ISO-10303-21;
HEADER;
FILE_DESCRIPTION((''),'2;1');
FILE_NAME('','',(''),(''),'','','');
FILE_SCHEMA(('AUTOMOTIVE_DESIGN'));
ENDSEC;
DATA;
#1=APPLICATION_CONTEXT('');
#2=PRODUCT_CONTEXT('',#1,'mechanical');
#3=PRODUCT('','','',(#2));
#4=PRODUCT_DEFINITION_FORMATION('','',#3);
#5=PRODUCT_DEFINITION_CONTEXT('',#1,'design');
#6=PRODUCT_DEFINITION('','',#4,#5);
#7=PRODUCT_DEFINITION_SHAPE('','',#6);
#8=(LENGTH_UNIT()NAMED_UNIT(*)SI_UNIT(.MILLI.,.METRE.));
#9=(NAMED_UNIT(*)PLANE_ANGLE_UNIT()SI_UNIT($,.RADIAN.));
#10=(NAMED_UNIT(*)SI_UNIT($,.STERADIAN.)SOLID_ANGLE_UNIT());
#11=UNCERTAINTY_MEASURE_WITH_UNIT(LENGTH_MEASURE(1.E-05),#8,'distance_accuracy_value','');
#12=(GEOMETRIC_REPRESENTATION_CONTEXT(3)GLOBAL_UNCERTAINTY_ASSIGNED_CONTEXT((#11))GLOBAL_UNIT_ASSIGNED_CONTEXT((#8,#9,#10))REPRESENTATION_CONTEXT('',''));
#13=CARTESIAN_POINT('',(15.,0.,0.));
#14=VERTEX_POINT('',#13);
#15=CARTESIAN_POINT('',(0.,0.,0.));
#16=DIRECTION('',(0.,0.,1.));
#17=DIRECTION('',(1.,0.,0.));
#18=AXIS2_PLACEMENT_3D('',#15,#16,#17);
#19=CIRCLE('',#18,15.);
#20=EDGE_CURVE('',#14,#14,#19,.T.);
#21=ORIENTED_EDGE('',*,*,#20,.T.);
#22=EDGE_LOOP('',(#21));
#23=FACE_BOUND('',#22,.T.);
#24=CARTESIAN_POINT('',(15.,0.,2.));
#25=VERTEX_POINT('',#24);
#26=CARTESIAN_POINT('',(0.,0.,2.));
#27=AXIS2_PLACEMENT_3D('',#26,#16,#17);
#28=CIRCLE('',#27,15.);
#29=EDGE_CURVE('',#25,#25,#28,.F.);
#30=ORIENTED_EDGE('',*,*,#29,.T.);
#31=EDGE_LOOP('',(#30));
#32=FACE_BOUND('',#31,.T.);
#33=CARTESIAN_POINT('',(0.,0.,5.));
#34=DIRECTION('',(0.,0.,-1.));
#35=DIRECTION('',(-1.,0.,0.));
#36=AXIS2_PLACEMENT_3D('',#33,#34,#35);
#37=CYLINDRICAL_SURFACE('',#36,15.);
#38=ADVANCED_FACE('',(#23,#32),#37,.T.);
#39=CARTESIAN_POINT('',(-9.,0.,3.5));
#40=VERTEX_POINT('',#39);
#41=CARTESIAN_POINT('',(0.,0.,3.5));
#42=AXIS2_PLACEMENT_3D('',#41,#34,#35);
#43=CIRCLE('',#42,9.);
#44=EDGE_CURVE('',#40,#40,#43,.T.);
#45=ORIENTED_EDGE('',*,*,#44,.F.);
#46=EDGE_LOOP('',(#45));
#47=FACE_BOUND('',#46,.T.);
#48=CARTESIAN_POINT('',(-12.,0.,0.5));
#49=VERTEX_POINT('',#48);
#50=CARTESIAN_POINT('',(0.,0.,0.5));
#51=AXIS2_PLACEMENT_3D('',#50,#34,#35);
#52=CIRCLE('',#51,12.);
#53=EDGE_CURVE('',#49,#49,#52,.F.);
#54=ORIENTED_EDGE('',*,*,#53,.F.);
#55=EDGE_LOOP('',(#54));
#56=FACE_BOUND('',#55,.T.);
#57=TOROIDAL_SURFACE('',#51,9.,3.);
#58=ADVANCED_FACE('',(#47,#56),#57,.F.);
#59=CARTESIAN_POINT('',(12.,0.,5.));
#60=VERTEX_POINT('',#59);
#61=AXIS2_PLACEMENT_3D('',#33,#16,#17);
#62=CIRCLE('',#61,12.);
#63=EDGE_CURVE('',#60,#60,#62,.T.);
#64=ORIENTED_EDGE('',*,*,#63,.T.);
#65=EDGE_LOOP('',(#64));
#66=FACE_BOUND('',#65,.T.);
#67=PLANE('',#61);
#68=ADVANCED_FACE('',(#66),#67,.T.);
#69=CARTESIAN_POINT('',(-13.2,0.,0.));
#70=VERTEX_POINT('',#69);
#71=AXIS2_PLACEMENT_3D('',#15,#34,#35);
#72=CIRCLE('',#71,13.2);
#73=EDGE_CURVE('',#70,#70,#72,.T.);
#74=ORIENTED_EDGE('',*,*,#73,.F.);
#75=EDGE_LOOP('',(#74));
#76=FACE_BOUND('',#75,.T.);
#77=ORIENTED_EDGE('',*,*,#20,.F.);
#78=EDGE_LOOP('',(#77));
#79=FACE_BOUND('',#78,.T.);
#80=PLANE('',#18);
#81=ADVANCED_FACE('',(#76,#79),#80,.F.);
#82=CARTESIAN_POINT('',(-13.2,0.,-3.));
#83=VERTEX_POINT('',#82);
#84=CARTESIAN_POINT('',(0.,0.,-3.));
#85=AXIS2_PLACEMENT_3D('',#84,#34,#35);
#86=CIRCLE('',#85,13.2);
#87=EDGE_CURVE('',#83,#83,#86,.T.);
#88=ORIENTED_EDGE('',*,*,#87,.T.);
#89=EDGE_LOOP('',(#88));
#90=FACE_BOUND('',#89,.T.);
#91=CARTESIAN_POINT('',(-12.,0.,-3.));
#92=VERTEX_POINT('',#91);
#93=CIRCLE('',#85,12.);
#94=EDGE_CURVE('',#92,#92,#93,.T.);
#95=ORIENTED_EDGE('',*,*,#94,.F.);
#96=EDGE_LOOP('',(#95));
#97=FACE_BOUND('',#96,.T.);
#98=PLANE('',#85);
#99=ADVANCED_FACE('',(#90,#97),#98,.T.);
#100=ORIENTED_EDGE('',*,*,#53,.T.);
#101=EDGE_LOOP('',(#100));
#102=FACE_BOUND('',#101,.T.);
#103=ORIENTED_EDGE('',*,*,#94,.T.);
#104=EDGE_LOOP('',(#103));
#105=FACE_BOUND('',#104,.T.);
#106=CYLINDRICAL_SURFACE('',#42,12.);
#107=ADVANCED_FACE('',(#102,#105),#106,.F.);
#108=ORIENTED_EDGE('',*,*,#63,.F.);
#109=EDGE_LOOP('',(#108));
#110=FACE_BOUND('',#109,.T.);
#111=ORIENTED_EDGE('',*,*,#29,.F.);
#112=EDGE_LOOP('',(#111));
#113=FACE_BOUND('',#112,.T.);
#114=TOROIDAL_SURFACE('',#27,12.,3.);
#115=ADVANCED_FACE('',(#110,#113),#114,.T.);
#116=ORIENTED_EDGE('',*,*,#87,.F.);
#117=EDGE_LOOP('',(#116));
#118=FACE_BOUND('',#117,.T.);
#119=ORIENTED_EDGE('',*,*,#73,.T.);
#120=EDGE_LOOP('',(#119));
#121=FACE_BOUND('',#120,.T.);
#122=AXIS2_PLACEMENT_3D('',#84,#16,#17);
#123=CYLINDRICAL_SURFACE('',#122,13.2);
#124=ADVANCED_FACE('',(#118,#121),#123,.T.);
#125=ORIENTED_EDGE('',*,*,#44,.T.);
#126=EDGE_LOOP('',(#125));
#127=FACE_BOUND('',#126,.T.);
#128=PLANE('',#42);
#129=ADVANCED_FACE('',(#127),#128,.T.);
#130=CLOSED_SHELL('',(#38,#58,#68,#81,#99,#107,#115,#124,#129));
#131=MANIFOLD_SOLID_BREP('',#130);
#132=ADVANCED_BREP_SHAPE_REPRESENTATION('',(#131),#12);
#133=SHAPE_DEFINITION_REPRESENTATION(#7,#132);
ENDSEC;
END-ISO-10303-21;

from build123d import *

# Parameters (mm, degrees)
SKETCH1_R           = 15
BOSS_EXTRUDE1_DEPTH = 5
FILLET1_R           = 3
SKETCH2_R           = 12
CUT_EXTRUDE1_DEPTH  = 3.5
FILLET2_R           = 3
SKETCH4_R           = 13.2
BOSS_EXTRUDE3_DEPTH = 3
SKETCH5_R           = 12
CUT_EXTRUDE2_DEPTH  = 3


with BuildPart() as part:
    # Sketch1 → Boss-Extrude1 (new body)
    with BuildSketch(Plane.XY):
        Circle(SKETCH1_R)
    extrude(amount=BOSS_EXTRUDE1_DEPTH)

    # Fillet1
    fillet1_edges = [part.edges().sort_by_distance(p)[0] for p in [
        (-15, 0, 5),
    ]]
    fillet(fillet1_edges, radius=FILLET1_R)

    # Sketch2 → Cut-Extrude1 (cut)
    with BuildSketch(Plane(origin=(0, 0, 0), x_dir=(-1, 0, 0), z_dir=(0, 0, -1))):
        Circle(SKETCH2_R)
    extrude(amount=-CUT_EXTRUDE1_DEPTH, mode=Mode.SUBTRACT)

    # Fillet2
    fillet2_edges = [part.edges().sort_by_distance(p)[0] for p in [
        (12, 0, 3.5),
    ]]
    fillet(fillet2_edges, radius=FILLET2_R)

    # Sketch4 → Boss-Extrude3 (add)
    with BuildSketch(Plane(origin=(0, 0, 0), x_dir=(-1, 0, 0), z_dir=(0, 0, -1))):
        Circle(SKETCH4_R)
    extrude(amount=BOSS_EXTRUDE3_DEPTH)

    # Sketch5 → Cut-Extrude2 (cut)
    with BuildSketch(Plane(origin=(0, 0, -3), x_dir=(-1, 0, 0), z_dir=(0, 0, -1))):
        Circle(SKETCH5_R)
    extrude(amount=-CUT_EXTRUDE2_DEPTH, mode=Mode.SUBTRACT)


solid = part.part
